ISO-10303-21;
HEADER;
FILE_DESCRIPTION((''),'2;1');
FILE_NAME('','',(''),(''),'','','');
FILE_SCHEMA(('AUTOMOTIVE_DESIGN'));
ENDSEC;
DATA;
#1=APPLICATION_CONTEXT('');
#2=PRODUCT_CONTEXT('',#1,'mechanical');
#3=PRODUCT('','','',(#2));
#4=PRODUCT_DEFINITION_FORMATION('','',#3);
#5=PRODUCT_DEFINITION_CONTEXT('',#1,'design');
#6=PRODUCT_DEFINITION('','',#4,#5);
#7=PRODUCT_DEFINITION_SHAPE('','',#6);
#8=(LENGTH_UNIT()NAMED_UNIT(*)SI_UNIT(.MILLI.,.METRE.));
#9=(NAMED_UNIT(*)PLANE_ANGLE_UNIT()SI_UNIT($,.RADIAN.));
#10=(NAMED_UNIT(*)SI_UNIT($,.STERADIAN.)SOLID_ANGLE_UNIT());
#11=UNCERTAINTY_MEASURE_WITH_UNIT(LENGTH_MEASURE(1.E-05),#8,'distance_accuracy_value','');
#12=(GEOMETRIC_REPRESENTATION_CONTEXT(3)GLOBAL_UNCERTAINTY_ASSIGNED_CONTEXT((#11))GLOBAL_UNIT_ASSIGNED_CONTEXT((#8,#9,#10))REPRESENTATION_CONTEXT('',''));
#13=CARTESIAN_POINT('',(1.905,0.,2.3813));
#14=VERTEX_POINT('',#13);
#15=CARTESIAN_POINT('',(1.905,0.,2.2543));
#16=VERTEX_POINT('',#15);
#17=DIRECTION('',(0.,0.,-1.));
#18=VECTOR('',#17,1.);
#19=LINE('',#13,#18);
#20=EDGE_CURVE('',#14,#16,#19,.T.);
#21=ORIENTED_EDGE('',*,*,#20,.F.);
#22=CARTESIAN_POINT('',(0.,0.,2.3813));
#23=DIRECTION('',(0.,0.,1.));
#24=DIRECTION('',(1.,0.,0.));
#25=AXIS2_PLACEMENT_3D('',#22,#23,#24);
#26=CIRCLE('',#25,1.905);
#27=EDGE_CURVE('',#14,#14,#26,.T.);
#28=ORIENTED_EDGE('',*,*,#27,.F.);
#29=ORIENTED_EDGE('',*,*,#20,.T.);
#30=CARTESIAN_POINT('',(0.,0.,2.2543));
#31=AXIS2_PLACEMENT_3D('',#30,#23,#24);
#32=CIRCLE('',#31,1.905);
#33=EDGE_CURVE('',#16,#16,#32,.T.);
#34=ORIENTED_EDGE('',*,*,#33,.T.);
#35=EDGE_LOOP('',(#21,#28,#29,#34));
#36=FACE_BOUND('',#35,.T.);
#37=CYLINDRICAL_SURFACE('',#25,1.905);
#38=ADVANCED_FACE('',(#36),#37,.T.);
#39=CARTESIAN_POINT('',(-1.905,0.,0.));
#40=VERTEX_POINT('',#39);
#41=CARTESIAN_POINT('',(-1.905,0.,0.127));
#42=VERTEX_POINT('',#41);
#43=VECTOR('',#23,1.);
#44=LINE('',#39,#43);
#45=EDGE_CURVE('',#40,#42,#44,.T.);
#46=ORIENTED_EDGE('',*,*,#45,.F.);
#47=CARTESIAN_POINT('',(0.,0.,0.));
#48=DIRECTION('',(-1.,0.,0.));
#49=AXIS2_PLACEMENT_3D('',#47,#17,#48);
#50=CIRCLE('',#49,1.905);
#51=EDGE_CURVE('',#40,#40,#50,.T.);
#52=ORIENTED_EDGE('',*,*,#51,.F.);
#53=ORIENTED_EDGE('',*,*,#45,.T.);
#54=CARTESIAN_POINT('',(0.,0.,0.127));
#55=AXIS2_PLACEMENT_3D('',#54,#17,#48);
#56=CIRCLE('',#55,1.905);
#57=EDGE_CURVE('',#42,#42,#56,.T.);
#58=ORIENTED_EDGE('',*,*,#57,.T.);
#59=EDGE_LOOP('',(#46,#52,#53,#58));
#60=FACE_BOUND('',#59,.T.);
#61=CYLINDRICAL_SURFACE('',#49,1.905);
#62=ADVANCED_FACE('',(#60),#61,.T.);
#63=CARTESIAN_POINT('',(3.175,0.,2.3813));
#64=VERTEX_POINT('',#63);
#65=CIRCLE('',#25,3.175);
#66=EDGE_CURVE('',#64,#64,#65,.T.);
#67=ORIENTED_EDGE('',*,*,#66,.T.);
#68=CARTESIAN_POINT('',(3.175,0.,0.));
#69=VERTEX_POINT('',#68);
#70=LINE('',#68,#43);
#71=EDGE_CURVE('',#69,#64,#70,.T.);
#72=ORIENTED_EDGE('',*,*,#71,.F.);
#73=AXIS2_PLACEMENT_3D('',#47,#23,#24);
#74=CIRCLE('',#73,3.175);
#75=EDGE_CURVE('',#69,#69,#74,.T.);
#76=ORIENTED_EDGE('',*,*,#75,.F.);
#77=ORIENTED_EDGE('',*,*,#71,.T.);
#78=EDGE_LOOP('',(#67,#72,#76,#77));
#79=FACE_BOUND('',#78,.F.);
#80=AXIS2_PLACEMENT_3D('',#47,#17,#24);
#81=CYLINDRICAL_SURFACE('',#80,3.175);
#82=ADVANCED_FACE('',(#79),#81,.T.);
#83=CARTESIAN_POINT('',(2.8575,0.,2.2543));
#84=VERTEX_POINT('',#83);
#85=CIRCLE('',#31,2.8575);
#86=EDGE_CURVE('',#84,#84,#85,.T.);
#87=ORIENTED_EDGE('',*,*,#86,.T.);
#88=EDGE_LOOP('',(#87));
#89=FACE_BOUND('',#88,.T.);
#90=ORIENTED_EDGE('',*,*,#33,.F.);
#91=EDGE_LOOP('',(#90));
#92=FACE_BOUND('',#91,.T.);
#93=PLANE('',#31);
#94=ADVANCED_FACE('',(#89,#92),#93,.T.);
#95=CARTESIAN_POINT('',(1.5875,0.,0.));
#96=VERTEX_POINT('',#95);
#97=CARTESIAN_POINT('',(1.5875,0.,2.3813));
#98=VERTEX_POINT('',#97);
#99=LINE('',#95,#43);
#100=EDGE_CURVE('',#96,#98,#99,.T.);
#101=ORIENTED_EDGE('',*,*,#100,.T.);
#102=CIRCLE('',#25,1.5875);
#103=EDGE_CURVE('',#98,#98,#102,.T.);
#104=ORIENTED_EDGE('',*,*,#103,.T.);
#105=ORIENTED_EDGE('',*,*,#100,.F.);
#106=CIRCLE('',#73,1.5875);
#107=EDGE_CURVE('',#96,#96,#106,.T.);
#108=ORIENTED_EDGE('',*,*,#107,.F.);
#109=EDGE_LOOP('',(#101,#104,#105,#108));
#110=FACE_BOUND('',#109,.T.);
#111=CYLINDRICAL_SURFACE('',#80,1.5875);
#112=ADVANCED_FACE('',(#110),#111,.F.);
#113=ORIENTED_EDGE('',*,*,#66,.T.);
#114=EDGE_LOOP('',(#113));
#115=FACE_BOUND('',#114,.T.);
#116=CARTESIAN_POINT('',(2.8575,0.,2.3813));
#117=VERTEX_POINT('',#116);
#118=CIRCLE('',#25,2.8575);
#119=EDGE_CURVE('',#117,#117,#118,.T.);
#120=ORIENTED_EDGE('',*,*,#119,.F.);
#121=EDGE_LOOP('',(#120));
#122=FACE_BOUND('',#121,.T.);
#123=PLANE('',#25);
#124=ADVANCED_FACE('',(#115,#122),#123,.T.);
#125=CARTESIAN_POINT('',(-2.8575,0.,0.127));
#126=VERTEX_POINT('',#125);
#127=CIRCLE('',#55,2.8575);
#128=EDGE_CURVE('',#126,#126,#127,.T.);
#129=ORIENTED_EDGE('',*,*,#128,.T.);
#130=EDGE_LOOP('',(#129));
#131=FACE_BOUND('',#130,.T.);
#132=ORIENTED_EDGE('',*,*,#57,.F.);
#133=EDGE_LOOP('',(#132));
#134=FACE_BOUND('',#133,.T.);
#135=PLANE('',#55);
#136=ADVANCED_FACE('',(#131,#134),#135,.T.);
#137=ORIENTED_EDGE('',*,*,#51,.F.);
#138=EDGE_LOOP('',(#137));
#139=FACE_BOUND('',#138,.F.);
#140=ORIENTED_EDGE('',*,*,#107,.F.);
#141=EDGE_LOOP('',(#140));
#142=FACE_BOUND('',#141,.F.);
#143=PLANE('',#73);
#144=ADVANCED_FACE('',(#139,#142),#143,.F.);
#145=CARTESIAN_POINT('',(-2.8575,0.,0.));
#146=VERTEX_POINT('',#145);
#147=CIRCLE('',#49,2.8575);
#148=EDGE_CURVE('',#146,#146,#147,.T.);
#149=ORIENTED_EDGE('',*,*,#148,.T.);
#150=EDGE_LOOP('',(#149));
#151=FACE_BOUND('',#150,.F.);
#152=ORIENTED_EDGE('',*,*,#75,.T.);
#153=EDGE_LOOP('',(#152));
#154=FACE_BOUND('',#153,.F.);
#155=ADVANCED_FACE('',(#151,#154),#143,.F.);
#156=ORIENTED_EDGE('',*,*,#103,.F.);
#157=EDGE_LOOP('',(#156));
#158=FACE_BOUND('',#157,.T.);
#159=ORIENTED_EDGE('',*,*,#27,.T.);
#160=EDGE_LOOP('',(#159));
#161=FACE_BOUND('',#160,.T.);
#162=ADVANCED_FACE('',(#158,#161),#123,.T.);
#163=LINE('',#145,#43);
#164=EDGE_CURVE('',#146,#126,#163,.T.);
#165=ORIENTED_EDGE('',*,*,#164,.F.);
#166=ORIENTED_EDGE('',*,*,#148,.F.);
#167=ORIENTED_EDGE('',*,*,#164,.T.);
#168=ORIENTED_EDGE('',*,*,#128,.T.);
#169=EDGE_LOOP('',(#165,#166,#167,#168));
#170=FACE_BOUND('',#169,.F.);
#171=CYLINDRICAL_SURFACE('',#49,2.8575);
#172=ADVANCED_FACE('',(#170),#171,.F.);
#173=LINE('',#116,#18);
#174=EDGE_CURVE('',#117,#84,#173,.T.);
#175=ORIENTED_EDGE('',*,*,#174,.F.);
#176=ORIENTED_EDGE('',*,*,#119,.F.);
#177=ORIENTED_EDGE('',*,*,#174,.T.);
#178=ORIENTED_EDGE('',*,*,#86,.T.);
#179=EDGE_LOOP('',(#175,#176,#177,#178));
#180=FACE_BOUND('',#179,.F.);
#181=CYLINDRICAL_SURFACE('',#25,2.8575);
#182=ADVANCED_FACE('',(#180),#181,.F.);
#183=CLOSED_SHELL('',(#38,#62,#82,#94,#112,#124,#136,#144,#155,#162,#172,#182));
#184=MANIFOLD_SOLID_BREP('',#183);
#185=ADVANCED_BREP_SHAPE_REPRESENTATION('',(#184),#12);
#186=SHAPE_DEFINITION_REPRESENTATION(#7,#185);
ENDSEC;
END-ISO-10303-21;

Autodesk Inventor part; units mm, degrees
ref_plane "YZ Plane" through (0, 0, 0) normal (1, 0, 0) x (0, 1, 0)
ref_plane "XZ Plane" through (0, 0, 0) normal (0, 1, 0) x (-1, 0, 0)
ref_plane "XY Plane" through (0, 0, 0) normal (0, 0, 1) x (1, 0, 0)
sketch "Sketch1" plane through (0, 0, 0) normal (0, 0, 1) x (1, 0, 0)
  circle A0 centre (0, 0) radius 3.175
  circle A1 centre (0, 0) radius 1.5875
  dimension "d0" = 6.35
  dimension "d1" = 3.175
extrude "Extrusion1" add sketch "Sketch1" along normal blind 2.3813
sketch "Sketch2" plane through (0, 0, 2.3813) normal (0, 0, 1) x (1, 0, 0)
  circle A0 centre (0, 0) radius 1.905
  circle A1 centre (0, 0) radius 2.8575
  dimension "d4" = 3.81
  dimension "d5" = 5.715
extrude "Extrusion2" cut sketch "Sketch2" against normal blind 0.127
sketch "Sketch3" plane through (0, 0, 0) normal (0, 0, -1) x (-1, 0, 0)
  circle A0 centre (0, 0) radius 2.8575 projected
  circle A1 centre (0, 0) radius 1.905 projected
extrude "Extrusion3" cut sketch "Sketch3" against normal blind 0.127
properties part number "bearing_1_8inch" material "Stainless Steel"
